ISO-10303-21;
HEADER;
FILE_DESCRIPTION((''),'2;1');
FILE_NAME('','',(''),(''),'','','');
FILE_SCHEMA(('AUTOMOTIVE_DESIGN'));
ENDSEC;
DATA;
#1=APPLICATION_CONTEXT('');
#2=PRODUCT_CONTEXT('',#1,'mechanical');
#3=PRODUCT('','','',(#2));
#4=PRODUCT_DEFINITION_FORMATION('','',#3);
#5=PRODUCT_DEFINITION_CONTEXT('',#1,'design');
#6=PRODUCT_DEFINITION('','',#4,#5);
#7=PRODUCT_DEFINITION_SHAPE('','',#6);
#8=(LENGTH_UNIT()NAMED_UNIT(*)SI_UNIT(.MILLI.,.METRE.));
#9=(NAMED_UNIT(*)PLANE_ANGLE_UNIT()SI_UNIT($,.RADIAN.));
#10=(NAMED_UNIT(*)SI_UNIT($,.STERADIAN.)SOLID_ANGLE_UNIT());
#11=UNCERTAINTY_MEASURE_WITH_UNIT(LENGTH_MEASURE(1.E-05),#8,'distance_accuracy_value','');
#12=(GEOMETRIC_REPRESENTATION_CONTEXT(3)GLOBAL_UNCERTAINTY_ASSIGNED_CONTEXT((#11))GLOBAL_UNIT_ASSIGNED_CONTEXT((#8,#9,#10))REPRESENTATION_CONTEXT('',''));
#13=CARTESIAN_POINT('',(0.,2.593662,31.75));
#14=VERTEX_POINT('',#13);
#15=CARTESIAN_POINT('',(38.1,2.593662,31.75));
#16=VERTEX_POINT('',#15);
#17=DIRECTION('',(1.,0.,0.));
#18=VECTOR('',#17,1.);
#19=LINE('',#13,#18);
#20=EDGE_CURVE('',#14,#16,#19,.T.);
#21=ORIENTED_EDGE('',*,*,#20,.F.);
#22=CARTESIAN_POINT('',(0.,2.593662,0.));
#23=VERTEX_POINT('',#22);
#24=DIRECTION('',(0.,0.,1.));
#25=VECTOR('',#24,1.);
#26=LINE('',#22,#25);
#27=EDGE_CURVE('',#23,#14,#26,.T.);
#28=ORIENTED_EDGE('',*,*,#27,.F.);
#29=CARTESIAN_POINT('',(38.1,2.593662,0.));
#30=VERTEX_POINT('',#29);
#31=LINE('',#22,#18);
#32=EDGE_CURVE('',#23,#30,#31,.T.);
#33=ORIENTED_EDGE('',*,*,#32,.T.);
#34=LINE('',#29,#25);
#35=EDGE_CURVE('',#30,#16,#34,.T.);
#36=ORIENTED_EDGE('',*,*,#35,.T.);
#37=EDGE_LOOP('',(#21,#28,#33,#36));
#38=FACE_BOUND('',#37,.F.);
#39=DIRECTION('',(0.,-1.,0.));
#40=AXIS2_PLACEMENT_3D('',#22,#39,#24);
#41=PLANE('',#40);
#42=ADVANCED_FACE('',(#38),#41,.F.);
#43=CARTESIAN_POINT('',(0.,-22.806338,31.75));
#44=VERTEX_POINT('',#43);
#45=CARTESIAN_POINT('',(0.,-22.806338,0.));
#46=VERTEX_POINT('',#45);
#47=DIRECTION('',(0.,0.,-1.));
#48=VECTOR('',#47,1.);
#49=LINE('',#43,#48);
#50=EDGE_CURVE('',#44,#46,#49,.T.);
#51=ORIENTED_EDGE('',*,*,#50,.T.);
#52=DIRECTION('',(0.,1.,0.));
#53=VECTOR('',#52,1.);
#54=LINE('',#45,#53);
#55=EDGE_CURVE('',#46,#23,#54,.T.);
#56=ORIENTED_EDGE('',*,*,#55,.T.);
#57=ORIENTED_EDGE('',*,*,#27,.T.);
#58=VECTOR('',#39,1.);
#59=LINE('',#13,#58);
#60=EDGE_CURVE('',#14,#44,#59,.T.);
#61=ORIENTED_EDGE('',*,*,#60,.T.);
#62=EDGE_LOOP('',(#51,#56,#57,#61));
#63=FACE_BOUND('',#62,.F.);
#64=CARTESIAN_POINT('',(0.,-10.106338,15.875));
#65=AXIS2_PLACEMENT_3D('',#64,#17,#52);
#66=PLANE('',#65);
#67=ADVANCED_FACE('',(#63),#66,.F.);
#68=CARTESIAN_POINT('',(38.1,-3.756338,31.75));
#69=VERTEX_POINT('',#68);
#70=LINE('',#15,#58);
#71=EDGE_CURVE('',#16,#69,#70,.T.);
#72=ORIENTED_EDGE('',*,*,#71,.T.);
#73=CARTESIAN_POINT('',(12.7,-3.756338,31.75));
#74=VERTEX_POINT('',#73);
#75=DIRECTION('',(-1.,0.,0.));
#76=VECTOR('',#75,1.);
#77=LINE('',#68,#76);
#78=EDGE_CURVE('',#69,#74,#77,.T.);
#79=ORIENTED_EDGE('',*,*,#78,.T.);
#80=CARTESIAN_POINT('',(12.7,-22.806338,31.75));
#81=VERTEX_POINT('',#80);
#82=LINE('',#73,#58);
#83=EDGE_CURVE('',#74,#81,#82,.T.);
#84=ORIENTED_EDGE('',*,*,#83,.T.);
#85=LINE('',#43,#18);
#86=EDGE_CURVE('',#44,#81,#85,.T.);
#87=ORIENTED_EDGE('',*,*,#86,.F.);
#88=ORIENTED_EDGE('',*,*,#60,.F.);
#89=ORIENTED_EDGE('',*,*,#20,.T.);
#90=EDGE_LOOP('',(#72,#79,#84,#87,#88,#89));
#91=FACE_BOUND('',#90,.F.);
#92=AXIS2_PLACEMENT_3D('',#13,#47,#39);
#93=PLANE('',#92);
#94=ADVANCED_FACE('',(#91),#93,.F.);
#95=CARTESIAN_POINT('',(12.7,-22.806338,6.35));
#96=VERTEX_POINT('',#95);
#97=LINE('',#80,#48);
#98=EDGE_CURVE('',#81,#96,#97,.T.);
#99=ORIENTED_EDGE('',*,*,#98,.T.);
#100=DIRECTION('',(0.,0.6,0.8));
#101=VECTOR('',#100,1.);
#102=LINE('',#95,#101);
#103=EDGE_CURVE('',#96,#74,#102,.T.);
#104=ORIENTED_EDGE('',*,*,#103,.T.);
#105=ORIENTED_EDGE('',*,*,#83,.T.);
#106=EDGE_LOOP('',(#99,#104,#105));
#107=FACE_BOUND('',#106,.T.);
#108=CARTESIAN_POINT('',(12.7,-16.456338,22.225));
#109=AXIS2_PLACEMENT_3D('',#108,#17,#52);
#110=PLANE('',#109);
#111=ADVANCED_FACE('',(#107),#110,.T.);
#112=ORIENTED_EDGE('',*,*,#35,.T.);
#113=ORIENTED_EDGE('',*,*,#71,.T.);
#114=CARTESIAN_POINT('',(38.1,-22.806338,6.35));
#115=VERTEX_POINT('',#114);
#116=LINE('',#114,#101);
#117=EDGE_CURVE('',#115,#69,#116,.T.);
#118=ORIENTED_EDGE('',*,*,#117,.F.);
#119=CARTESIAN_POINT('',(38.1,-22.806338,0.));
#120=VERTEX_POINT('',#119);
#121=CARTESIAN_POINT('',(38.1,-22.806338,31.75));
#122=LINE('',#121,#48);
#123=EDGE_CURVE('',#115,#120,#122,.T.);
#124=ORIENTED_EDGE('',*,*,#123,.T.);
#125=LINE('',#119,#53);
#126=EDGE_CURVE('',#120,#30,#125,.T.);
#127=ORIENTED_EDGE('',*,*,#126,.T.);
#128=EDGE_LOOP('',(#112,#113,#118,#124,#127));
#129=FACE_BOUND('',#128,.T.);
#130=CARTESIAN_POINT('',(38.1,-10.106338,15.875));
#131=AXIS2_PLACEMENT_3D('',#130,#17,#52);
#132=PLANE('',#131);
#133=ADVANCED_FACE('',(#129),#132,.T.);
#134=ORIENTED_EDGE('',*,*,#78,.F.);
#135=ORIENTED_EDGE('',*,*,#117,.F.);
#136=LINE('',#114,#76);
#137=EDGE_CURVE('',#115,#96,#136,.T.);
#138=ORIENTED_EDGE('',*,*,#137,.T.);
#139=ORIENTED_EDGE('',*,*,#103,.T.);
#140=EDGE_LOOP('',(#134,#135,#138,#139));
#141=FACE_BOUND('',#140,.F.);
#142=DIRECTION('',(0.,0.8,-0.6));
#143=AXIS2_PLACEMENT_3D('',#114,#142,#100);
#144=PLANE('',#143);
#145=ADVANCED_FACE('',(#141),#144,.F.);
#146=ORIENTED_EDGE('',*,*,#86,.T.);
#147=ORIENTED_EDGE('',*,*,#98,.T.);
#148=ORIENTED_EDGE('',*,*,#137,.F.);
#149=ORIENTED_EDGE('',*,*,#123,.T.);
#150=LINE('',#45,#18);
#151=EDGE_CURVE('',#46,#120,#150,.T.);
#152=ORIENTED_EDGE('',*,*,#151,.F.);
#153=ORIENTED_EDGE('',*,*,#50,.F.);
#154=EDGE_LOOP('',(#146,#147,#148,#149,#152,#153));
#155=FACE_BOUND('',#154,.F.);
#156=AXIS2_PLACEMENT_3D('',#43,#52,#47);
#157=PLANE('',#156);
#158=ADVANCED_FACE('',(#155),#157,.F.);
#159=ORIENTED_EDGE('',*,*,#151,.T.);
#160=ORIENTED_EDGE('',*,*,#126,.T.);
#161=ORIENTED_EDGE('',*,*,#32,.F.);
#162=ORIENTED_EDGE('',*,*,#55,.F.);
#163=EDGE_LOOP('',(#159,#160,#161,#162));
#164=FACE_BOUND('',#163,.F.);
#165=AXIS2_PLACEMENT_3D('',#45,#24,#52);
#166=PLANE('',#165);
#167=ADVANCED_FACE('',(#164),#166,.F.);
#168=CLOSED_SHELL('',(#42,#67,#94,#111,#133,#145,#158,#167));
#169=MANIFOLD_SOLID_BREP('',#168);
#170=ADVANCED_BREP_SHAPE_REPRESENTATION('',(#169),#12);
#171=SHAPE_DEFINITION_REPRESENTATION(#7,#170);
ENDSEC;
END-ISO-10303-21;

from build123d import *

# Parameters (mm, degrees)
F1_DEPTH = 38.1
F3_DEPTH = 25.4


with BuildPart() as f1:
    # F0 (on Right) → F1 (new body)
    with BuildSketch(Plane.YZ):
        Polygon((-22.806338, 0), (0, 0), (2.593662, 0), (2.593662, 31.75), (-22.806338, 31.75), align=None)
    extrude(amount=F1_DEPTH)

    # F2 (on face) → F3 (cut)
    with BuildSketch(Plane.YZ.offset(38.1)):
        Polygon((-3.756338, 31.75), (-22.806338, 31.75), (-22.806338, 6.35), align=None)
    extrude(amount=-F3_DEPTH, mode=Mode.SUBTRACT)


solid = f1.part
